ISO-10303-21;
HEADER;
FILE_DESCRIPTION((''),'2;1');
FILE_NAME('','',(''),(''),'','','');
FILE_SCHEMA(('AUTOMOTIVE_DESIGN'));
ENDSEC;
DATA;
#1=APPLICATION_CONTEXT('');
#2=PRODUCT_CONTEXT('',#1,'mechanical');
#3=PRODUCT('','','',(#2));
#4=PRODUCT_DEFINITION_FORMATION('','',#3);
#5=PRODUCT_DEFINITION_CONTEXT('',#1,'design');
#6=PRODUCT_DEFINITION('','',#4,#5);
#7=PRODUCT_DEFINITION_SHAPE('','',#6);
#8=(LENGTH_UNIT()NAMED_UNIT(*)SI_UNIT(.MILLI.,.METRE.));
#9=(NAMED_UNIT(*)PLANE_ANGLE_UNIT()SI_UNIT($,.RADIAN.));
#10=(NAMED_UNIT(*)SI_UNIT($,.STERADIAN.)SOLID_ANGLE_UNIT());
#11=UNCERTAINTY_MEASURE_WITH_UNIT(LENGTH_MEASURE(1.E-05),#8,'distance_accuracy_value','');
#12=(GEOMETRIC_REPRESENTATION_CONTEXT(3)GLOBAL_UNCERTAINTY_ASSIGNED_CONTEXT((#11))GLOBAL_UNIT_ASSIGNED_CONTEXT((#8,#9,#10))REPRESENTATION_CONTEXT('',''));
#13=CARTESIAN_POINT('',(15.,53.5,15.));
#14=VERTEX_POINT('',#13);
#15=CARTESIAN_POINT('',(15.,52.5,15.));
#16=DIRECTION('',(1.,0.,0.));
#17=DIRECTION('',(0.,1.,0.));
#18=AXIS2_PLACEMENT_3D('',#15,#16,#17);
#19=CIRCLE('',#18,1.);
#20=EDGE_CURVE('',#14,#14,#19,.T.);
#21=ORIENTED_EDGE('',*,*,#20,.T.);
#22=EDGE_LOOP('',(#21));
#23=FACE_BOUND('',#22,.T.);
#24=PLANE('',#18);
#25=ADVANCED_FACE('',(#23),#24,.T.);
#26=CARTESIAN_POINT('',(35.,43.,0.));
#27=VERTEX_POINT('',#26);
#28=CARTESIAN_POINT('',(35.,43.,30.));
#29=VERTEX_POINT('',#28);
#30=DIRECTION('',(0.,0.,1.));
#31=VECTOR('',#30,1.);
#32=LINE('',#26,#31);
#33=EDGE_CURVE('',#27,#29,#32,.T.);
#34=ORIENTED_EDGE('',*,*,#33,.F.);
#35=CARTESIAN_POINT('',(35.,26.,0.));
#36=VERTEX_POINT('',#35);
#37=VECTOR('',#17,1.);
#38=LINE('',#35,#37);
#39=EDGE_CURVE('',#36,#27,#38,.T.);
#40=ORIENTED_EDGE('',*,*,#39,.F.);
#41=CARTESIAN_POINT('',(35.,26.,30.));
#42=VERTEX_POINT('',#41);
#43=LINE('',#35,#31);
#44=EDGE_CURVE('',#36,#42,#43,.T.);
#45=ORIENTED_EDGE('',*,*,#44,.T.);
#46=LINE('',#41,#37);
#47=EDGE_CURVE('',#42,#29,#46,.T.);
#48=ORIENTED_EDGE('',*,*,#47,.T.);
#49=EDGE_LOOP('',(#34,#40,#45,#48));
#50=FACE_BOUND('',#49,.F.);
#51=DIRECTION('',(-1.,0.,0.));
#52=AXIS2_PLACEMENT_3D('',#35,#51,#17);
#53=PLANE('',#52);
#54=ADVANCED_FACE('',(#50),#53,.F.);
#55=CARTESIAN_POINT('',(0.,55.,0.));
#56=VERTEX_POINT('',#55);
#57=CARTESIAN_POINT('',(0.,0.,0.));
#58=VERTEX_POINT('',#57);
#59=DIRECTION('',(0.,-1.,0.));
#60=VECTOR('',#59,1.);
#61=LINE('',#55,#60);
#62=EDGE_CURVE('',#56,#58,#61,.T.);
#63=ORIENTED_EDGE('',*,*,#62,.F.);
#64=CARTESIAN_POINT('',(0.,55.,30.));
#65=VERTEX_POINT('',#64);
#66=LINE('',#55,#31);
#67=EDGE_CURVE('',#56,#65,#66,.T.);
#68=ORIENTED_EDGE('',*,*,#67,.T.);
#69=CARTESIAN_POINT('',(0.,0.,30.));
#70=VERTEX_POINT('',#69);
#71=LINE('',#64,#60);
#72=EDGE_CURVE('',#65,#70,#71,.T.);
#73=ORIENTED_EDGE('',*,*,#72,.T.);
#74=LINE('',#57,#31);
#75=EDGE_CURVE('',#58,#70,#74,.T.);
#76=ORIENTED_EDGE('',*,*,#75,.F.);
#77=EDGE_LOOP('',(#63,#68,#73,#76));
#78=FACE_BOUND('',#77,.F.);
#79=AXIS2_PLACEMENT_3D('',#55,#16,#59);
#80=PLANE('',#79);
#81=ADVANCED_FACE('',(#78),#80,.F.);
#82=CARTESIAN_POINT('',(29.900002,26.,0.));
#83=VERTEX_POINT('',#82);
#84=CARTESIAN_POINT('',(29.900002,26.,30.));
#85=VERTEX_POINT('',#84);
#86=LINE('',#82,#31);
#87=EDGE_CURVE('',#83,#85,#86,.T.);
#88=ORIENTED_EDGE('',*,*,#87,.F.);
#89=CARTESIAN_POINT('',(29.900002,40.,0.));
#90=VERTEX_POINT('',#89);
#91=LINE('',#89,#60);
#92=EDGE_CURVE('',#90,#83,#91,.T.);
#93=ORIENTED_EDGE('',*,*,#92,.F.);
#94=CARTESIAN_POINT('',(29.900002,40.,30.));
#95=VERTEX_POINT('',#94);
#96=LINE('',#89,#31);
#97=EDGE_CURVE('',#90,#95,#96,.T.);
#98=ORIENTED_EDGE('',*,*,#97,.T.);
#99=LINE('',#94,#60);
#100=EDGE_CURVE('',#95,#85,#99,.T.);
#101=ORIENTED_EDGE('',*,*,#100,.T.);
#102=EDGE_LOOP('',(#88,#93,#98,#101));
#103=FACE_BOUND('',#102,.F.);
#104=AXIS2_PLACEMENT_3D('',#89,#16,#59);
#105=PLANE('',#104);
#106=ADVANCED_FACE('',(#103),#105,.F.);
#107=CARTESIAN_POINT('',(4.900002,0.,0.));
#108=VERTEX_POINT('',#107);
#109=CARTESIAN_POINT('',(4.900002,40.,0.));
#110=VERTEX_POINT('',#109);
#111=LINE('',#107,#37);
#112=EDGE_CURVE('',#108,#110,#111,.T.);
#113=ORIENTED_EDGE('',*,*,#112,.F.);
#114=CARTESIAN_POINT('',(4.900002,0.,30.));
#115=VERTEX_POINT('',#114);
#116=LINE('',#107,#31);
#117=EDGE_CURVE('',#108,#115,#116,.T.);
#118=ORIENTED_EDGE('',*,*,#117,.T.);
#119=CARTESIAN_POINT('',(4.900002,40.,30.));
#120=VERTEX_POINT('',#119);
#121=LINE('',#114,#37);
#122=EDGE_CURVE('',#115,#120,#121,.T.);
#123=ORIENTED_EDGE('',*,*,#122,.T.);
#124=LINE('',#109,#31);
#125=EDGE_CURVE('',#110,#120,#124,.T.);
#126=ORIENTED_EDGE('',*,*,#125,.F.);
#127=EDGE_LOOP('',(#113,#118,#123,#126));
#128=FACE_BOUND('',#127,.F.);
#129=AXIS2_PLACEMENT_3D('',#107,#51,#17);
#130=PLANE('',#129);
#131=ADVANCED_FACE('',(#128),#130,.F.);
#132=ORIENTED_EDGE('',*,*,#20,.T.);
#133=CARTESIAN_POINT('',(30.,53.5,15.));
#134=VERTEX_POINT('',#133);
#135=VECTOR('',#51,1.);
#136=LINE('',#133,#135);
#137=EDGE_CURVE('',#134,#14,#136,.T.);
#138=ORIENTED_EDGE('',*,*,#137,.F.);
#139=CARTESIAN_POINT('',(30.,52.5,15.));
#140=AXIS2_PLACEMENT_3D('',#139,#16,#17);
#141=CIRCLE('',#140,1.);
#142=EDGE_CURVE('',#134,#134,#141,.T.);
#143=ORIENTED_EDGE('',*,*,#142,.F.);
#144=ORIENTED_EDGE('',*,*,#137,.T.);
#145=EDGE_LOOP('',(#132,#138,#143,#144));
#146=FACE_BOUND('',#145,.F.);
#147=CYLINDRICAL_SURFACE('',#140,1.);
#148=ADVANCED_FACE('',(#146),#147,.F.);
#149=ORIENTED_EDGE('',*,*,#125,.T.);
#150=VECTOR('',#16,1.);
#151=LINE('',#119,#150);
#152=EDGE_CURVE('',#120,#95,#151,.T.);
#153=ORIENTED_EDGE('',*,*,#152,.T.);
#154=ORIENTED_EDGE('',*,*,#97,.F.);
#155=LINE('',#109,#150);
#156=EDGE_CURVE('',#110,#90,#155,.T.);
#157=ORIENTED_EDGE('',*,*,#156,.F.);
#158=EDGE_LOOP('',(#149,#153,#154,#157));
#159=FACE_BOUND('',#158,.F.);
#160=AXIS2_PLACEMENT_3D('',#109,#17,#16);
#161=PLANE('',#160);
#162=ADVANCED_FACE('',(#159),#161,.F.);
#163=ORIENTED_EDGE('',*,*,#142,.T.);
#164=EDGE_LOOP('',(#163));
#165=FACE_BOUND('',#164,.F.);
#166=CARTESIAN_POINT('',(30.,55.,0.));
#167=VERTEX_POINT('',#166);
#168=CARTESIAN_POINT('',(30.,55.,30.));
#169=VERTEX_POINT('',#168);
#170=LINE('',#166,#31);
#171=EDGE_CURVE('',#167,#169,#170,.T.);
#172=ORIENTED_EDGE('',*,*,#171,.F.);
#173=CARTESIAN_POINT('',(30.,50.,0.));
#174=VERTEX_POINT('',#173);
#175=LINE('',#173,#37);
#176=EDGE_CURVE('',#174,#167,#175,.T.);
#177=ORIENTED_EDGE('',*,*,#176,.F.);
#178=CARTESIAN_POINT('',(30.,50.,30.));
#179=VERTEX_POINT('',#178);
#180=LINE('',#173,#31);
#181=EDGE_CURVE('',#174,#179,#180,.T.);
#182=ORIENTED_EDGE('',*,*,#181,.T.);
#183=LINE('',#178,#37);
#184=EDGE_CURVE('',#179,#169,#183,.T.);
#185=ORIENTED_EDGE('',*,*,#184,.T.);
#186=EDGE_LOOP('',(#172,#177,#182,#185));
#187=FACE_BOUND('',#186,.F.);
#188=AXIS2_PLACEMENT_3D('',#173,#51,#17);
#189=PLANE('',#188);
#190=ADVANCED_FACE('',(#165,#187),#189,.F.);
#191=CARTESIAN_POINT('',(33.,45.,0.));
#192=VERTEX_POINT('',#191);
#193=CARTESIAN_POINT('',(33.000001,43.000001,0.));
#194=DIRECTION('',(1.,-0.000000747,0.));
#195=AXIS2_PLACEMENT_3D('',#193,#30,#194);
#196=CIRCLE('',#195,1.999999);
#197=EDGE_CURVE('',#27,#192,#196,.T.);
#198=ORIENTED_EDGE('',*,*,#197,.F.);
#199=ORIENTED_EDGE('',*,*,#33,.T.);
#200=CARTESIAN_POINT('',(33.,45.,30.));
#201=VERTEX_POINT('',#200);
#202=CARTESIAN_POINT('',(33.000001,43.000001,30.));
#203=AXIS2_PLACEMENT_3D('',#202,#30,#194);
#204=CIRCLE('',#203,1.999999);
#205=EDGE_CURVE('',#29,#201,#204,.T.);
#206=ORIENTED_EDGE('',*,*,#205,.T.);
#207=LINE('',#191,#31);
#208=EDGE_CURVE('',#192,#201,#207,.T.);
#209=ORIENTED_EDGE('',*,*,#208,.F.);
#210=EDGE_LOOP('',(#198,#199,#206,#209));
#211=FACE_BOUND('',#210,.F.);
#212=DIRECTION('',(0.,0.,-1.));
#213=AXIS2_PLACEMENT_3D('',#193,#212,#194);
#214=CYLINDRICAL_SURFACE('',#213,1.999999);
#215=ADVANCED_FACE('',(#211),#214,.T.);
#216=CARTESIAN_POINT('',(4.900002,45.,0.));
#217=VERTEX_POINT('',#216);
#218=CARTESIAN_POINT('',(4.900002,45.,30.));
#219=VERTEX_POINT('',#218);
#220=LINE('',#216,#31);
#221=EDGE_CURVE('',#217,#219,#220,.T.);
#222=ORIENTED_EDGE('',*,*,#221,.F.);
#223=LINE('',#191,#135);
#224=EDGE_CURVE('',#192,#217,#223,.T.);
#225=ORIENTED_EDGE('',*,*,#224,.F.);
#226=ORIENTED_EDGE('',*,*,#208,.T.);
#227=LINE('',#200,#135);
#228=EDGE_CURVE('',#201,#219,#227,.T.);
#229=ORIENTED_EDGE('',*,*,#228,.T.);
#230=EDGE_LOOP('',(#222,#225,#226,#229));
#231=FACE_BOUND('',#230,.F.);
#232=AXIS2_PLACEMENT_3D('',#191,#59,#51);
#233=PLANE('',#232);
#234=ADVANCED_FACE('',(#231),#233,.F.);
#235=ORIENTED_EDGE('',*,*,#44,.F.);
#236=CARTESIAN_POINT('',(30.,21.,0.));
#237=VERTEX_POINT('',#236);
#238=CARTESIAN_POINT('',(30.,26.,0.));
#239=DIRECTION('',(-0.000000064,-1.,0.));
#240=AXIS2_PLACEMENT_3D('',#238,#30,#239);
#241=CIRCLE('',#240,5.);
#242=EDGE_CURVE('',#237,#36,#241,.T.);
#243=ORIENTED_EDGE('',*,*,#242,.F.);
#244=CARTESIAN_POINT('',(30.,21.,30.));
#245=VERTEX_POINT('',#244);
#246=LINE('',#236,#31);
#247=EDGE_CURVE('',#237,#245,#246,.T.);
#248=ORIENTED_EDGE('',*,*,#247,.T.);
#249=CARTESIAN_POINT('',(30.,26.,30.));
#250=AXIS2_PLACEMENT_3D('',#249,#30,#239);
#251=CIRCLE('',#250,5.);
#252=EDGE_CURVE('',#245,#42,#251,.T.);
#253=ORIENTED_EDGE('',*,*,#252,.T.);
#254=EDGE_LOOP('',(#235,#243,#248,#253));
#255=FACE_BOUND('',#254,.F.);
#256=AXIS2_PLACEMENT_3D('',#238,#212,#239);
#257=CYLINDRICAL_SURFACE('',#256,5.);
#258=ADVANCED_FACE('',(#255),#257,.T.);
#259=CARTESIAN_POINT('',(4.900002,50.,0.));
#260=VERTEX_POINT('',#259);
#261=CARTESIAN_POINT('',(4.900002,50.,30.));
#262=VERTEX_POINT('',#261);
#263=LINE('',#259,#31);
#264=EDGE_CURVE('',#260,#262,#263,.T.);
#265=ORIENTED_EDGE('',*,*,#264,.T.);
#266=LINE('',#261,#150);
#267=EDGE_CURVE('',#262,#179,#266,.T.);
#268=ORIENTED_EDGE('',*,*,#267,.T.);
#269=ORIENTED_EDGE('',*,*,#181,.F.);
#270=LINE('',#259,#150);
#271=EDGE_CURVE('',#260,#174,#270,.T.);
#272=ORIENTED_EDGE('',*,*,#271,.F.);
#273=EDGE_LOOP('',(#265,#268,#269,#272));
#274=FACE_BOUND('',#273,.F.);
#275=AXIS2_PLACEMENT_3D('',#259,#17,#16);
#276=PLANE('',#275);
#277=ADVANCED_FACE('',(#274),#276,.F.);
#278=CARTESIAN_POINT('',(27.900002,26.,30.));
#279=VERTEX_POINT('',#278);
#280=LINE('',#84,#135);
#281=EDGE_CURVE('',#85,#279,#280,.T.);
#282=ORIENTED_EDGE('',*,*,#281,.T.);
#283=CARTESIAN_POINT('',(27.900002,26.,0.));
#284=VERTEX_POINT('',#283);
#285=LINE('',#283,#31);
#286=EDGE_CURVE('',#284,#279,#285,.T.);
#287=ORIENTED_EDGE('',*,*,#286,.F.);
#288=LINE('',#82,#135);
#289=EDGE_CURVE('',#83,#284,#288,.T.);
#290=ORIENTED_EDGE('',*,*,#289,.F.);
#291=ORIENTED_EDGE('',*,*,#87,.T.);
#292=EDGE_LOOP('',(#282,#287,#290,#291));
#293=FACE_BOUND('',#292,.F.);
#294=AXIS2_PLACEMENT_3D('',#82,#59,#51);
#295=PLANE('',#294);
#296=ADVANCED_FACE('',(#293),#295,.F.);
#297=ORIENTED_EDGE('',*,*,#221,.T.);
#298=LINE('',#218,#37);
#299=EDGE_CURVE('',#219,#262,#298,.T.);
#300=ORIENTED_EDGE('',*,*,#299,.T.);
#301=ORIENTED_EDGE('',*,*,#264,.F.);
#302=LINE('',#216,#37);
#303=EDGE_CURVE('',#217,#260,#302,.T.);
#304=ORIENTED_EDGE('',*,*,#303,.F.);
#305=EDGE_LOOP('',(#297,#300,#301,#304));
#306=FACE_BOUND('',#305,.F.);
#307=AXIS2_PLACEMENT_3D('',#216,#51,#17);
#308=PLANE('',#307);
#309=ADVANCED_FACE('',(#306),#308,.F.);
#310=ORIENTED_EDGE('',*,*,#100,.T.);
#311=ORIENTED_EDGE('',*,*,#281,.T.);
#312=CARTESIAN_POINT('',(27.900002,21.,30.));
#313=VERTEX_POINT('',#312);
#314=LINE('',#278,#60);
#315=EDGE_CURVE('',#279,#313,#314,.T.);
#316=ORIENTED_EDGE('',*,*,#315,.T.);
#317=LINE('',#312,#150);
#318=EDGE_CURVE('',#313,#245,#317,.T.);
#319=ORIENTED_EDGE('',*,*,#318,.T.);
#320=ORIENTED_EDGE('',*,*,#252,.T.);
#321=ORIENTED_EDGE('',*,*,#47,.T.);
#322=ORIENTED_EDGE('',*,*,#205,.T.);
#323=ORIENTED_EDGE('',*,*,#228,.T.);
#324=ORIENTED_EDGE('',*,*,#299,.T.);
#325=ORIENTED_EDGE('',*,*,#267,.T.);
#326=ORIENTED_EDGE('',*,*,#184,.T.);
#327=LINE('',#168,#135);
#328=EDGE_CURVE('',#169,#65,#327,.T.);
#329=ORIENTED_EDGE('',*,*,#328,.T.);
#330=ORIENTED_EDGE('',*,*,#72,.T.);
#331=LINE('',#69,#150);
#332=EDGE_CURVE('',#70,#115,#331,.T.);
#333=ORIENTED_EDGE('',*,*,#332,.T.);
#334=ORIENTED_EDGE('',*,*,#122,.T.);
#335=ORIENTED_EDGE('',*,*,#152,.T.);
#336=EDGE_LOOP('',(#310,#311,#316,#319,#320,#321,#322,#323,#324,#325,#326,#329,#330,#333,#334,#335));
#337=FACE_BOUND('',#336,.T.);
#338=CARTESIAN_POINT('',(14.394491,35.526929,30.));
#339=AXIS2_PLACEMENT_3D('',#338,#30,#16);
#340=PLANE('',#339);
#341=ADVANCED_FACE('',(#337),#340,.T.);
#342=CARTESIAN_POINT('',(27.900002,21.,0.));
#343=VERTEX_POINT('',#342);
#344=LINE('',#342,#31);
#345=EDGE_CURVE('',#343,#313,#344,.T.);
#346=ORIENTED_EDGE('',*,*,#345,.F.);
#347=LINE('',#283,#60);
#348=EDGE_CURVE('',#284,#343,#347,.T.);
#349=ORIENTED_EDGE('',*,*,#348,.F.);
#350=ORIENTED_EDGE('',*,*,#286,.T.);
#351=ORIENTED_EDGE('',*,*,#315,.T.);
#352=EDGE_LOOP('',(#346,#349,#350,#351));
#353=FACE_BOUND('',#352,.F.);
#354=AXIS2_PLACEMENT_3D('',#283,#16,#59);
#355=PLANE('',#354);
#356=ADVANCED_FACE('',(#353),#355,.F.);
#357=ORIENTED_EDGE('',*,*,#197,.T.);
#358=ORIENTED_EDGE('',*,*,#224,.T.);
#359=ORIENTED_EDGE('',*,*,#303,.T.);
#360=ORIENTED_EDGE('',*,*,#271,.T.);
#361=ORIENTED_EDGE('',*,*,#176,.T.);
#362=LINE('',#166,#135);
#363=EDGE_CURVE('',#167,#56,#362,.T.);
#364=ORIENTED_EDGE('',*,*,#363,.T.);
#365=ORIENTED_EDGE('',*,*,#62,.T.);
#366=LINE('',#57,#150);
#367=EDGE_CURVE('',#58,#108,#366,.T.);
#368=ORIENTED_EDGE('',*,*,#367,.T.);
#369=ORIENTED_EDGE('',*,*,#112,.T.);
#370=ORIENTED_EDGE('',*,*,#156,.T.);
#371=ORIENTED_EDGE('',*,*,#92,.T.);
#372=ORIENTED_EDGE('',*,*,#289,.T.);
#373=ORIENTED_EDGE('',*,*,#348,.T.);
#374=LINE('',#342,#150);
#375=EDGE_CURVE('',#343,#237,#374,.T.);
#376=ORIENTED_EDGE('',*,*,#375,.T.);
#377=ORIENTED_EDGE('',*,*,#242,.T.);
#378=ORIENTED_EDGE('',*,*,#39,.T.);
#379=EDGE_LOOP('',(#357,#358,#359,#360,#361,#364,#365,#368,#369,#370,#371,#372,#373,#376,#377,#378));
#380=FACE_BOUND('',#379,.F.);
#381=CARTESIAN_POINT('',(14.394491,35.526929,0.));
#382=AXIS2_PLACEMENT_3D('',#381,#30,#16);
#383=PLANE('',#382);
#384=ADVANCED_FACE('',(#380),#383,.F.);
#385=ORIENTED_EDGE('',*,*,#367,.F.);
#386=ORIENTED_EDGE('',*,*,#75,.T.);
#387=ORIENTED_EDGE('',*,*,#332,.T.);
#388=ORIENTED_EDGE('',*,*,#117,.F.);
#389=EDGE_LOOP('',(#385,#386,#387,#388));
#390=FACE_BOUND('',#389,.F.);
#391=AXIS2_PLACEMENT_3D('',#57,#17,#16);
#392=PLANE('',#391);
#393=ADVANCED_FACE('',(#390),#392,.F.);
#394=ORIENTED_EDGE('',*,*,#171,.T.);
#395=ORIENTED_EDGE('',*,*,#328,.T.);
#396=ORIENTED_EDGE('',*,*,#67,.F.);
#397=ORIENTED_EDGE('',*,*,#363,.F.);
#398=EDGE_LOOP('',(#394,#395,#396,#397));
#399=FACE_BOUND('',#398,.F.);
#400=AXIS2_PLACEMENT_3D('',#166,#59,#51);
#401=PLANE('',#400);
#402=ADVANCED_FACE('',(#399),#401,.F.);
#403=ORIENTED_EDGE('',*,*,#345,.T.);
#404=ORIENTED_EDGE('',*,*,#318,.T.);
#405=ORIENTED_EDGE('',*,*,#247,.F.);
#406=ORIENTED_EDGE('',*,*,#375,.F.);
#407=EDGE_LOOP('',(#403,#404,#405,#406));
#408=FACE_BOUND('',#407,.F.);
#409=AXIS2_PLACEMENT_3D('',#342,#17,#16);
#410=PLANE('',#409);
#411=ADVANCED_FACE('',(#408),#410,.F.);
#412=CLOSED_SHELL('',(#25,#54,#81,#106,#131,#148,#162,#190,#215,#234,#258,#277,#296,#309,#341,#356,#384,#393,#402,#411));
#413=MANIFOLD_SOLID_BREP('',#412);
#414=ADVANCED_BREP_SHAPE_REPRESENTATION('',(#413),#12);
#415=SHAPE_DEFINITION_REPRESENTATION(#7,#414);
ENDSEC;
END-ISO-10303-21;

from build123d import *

# Parameters (mm, degrees)
F1_DEPTH = 30
F2_R     = 1
F3_DEPTH = 15


with BuildPart() as f1:
    # F0 (on Top) → F1 (new body)
    with BuildSketch(Plane.XY):
        with BuildLine():
            Line((0, 45), (0, 0))
            Line((0, 0), (4.900002, 0))
            Line((4.900002, 0), (4.900002, 40))
            Line((4.900002, 40), (29.900002, 40))
            Line((29.900002, 40), (29.900002, 26))
            Line((29.900002, 26), (27.900002, 26))
            Line((27.900002, 26), (27.900002, 21))
            Line((27.900002, 21), (30, 21))
            ThreePointArc((30, 21), (33.535534, 22.464466), (35, 26))
            Line((35, 26), (35, 43))
            ThreePointArc((35, 43), (34.414214, 44.414214), (33, 45))
            Line((33, 45), (4.900002, 45))
            Line((4.900002, 45), (4.900002, 50))
            Line((4.900002, 50), (30, 50))
            Line((30, 50), (30, 55))
            Line((30, 55), (0, 55))
            Line((0, 55), (0, 45))
        make_face()
    extrude(amount=F1_DEPTH)

    # F2 (on face) → F3 (cut)
    with BuildSketch(Plane.YZ.offset(30)):
        with Locations((52.5, 15)):
            Circle(F2_R)
    extrude(amount=-F3_DEPTH, mode=Mode.SUBTRACT)


solid = f1.part
